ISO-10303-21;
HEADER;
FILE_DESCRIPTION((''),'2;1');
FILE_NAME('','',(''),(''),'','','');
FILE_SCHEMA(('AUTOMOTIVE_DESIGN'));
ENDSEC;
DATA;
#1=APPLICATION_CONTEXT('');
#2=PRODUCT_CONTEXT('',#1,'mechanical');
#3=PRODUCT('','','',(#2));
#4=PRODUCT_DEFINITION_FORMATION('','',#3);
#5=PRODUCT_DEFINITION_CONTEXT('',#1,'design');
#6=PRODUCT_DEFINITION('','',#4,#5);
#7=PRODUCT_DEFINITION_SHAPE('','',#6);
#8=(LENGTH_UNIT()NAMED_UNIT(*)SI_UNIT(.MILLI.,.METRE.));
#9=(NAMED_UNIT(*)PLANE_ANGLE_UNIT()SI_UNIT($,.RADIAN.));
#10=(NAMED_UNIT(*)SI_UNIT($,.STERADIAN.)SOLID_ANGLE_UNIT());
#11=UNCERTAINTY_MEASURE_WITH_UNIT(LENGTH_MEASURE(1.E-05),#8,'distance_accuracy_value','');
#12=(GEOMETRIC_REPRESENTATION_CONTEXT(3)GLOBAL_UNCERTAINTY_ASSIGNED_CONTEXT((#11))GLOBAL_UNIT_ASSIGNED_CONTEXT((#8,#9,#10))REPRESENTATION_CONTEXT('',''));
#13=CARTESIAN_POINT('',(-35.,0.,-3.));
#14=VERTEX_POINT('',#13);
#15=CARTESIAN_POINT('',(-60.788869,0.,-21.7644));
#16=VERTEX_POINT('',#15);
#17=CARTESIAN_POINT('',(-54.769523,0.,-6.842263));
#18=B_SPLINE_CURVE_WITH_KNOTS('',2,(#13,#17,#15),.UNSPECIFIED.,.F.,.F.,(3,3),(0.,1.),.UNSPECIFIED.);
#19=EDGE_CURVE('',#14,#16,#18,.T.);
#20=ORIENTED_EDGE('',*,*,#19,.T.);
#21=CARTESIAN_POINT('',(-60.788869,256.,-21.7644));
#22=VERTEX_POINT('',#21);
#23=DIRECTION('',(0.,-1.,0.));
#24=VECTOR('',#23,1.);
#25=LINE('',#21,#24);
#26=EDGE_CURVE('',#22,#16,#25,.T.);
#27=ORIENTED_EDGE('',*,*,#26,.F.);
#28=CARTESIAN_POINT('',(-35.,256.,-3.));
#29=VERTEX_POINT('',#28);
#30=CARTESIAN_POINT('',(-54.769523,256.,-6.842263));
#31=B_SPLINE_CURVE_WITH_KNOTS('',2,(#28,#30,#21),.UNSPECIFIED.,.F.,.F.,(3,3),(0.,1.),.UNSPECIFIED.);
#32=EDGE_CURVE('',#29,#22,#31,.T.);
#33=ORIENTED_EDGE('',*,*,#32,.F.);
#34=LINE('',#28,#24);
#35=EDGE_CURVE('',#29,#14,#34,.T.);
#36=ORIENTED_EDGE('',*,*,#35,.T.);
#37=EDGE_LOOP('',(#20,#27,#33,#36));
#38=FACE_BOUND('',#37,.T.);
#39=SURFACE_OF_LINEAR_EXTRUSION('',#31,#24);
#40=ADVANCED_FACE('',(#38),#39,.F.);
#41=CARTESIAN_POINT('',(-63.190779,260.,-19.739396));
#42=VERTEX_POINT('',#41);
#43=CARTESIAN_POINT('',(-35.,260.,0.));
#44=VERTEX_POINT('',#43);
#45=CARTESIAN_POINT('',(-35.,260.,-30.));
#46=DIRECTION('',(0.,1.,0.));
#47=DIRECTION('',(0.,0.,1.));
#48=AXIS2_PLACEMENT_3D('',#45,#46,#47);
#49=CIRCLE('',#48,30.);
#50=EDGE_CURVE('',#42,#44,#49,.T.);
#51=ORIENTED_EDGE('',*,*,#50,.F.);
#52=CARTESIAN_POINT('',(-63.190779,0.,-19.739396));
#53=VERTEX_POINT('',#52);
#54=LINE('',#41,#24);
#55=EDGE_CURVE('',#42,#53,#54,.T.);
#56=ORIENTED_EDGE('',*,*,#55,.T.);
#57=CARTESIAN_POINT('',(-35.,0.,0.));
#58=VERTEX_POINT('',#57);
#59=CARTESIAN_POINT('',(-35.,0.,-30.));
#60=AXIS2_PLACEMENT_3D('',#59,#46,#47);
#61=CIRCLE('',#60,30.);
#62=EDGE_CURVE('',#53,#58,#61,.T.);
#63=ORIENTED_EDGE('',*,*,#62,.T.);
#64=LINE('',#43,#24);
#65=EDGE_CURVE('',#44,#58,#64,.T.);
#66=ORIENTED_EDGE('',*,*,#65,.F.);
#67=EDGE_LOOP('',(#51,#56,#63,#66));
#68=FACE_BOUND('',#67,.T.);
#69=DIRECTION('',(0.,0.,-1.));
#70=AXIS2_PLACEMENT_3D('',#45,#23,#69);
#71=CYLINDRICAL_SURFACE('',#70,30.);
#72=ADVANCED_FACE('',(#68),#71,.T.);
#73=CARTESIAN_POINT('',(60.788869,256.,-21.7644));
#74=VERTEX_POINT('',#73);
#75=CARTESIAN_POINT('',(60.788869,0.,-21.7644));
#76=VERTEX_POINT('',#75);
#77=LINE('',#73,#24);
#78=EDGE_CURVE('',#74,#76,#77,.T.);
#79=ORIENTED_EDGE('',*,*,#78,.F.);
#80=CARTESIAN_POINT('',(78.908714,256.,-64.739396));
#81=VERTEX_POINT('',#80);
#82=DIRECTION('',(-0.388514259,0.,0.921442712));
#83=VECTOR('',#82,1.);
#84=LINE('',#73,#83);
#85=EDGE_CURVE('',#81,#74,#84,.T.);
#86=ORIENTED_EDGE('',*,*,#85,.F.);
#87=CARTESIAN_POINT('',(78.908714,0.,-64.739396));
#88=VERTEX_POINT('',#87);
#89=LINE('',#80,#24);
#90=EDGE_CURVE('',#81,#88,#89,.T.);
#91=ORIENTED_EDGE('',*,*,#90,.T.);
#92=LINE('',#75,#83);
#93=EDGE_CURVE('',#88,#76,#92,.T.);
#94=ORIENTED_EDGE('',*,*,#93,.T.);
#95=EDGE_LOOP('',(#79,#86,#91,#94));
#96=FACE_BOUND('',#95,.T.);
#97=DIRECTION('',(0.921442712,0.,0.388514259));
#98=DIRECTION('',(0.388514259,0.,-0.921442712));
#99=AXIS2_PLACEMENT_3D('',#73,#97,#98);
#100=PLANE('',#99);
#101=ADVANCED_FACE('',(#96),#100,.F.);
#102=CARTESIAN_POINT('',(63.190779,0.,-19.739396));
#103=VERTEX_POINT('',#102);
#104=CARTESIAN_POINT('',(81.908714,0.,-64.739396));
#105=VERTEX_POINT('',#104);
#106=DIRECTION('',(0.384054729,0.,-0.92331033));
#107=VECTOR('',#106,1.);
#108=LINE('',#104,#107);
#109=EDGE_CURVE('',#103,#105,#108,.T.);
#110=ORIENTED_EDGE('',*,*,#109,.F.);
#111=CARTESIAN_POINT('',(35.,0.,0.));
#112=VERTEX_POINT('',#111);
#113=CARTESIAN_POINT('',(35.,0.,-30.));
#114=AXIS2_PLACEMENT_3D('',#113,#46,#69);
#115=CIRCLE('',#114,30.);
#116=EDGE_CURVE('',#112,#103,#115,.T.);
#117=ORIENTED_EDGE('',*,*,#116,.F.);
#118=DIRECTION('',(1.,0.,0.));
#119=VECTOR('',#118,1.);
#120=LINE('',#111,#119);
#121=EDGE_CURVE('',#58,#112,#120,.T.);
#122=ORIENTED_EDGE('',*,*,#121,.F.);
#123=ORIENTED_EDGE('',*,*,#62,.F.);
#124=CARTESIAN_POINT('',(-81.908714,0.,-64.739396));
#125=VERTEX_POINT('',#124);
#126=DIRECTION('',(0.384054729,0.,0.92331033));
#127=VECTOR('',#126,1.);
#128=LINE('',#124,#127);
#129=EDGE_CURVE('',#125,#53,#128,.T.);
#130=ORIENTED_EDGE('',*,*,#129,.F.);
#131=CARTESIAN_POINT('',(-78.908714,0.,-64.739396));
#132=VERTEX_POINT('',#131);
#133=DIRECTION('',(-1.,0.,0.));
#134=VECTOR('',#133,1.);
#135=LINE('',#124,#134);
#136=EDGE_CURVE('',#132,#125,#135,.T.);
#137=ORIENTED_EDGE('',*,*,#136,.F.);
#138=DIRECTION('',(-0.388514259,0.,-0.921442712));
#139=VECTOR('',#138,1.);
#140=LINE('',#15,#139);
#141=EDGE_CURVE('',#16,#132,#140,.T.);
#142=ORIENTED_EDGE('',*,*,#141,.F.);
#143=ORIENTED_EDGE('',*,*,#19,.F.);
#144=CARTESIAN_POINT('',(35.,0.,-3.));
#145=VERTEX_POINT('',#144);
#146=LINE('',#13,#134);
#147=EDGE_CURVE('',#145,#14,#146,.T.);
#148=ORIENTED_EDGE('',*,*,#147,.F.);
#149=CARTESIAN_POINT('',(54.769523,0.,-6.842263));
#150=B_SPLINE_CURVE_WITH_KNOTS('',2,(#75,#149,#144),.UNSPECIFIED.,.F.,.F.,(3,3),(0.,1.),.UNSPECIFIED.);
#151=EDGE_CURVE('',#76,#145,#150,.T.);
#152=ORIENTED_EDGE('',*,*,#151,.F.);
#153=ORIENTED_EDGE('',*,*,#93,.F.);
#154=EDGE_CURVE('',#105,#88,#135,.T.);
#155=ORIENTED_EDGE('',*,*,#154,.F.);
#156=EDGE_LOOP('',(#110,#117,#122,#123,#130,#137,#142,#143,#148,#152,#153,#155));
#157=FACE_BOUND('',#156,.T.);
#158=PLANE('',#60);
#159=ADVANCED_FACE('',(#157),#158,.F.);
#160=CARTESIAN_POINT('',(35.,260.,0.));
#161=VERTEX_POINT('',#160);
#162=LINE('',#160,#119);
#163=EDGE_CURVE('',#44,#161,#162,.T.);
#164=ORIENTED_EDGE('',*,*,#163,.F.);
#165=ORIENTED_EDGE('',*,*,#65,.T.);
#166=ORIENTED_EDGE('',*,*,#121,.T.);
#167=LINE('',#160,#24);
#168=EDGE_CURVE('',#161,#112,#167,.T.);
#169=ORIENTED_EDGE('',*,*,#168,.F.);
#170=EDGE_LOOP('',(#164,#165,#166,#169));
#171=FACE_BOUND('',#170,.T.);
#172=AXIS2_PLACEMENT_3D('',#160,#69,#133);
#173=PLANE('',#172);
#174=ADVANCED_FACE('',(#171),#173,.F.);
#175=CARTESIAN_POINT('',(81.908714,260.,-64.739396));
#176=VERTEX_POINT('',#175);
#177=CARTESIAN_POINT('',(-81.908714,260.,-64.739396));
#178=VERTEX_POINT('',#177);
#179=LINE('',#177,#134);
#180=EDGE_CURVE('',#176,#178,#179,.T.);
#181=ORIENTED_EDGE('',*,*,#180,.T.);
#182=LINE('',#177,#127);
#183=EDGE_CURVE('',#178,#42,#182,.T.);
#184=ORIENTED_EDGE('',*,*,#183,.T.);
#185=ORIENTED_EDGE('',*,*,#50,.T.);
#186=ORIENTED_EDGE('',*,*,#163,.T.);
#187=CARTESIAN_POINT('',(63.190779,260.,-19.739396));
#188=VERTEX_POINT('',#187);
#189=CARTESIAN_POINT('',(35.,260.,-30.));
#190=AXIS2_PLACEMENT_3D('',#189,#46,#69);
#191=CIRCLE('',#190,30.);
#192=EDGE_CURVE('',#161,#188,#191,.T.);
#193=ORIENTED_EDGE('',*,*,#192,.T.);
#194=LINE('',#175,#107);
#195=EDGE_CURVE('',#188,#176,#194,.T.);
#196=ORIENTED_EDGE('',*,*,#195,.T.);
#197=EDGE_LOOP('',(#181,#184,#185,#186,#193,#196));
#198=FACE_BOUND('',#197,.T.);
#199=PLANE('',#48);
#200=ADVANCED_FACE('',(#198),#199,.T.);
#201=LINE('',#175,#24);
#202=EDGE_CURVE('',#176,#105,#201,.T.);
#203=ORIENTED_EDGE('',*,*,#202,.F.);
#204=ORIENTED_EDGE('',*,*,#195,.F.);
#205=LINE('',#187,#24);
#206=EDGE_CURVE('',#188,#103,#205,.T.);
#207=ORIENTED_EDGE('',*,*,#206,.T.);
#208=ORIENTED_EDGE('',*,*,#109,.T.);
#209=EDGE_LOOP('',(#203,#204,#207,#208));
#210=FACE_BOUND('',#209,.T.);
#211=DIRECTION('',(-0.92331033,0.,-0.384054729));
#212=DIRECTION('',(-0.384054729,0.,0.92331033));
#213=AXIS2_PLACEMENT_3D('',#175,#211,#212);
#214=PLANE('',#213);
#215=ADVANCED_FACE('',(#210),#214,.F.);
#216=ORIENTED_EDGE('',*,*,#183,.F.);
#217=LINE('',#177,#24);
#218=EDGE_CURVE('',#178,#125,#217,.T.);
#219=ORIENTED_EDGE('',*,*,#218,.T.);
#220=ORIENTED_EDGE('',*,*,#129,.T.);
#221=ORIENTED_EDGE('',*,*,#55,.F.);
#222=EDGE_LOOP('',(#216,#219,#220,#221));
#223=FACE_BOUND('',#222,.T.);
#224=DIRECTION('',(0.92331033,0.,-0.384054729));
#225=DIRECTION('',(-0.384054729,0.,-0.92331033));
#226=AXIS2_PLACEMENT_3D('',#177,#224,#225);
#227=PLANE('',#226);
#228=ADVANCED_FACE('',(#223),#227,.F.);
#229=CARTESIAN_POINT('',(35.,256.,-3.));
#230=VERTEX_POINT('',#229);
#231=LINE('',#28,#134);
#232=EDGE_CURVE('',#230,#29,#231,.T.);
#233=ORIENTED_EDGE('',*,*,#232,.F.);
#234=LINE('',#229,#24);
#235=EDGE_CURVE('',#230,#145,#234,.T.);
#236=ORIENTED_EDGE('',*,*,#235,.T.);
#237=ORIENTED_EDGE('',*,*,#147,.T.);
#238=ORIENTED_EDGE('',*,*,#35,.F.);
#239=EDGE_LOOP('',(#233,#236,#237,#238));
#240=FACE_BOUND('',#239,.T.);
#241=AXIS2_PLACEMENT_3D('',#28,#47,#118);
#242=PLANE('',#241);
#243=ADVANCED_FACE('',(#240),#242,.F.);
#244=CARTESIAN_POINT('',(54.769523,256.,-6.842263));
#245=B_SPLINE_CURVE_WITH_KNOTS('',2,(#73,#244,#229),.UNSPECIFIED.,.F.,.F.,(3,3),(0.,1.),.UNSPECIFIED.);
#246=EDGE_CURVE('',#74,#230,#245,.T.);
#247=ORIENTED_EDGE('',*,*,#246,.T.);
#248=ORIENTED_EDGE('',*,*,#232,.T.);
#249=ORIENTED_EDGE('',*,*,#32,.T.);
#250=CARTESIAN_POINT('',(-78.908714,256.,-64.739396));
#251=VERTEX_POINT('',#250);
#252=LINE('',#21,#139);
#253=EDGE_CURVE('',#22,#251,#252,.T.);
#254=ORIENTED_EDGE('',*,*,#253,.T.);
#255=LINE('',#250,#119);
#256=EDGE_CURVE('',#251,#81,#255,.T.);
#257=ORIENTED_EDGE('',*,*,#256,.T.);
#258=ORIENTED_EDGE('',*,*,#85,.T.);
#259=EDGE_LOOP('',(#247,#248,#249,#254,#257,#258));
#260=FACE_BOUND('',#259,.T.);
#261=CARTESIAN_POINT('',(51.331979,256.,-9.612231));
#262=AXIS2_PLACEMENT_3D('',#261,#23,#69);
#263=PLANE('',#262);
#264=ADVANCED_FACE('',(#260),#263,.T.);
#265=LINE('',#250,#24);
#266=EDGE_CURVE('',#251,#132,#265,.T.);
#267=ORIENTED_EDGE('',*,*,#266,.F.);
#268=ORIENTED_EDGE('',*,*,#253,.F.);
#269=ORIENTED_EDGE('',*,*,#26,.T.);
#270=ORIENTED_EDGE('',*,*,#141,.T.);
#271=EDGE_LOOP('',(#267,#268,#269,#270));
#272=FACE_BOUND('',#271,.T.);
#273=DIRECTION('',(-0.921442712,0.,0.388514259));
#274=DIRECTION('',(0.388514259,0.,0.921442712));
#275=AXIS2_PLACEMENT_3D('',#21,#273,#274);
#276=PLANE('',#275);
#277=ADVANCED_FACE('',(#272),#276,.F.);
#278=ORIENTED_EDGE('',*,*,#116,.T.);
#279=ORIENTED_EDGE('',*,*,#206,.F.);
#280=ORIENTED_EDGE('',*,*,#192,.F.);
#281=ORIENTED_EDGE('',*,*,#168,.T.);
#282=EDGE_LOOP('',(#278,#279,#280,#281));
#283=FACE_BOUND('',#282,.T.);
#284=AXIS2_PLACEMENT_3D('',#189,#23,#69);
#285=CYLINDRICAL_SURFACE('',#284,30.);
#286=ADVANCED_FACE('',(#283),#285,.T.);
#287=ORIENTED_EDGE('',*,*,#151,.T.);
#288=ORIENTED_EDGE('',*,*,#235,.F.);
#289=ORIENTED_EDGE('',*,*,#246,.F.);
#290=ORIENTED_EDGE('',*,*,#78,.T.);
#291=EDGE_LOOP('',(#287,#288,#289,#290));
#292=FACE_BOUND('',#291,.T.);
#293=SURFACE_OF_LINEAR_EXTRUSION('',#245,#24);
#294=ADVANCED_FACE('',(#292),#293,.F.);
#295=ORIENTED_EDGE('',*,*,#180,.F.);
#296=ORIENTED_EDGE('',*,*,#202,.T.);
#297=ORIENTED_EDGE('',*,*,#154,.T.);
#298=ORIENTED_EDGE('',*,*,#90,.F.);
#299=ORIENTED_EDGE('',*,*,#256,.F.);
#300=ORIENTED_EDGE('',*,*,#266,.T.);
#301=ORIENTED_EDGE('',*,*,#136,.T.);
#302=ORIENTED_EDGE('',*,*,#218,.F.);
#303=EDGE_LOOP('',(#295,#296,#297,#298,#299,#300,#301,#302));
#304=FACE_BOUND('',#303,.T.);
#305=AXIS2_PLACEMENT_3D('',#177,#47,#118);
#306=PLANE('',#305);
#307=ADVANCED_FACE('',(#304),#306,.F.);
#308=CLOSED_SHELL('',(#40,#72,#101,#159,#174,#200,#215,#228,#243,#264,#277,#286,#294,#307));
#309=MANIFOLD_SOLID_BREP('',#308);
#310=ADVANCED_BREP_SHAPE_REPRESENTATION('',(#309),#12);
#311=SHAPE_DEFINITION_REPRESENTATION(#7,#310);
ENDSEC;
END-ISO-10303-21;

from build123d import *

# Parameters (mm, degrees)
BOSS_EXTRUDE1_DEPTH = 260
CUT_EXTRUDE1_DEPTH  = 256


with BuildPart() as part:
    # Sketch1 → Boss-Extrude1 (new body)
    with BuildSketch(Plane(origin=(0, 0, 0), x_dir=(1, 0, 0), z_dir=(0, 1, 0))):
        with BuildLine():
            Line((35, 0), (-35, 0))
            ThreePointArc((-35, 0), (-52.207293091, 5.425438671), (-63.190778624, 19.7393957))
            Line((-63.190778624, 19.7393957), (-81.908713693, 64.7393957))
            Line((-81.908713693, 64.7393957), (81.908713693, 64.7393957))
            Line((81.908713693, 64.7393957), (63.190778624, 19.7393957))
            ThreePointArc((63.190778624, 19.7393957), (52.207293091, 5.425438671), (35, 0))
        make_face()
    extrude(amount=BOSS_EXTRUDE1_DEPTH)

    # Sketch4 → Cut-Extrude1 (cut)
    with BuildSketch(Plane.XZ):
        with BuildLine():
            Line((-78.908713693, -64.7393957), (78.908713693, -64.7393957))
            Line((78.908713693, -64.7393957), (60.788869437, -21.764400459))
            add(Edge.make_bspline(
                [(35, -3), (54.769523096, -6.842262635), (60.788869437, -21.764400459)],
                knots=[0, 0, 0, 1, 1, 1], degree=2))
            Line((35, -3), (-35, -3))
            add(Edge.make_bspline(
                [(-35, -3), (-54.769523096, -6.842262635), (-60.788869437, -21.764400459)],
                knots=[0, 0, 0, 1, 1, 1], degree=2))
            Line((-60.788869437, -21.764400459), (-78.908713693, -64.7393957))
        make_face()
    extrude(amount=-CUT_EXTRUDE1_DEPTH, mode=Mode.SUBTRACT)


solid = part.part
